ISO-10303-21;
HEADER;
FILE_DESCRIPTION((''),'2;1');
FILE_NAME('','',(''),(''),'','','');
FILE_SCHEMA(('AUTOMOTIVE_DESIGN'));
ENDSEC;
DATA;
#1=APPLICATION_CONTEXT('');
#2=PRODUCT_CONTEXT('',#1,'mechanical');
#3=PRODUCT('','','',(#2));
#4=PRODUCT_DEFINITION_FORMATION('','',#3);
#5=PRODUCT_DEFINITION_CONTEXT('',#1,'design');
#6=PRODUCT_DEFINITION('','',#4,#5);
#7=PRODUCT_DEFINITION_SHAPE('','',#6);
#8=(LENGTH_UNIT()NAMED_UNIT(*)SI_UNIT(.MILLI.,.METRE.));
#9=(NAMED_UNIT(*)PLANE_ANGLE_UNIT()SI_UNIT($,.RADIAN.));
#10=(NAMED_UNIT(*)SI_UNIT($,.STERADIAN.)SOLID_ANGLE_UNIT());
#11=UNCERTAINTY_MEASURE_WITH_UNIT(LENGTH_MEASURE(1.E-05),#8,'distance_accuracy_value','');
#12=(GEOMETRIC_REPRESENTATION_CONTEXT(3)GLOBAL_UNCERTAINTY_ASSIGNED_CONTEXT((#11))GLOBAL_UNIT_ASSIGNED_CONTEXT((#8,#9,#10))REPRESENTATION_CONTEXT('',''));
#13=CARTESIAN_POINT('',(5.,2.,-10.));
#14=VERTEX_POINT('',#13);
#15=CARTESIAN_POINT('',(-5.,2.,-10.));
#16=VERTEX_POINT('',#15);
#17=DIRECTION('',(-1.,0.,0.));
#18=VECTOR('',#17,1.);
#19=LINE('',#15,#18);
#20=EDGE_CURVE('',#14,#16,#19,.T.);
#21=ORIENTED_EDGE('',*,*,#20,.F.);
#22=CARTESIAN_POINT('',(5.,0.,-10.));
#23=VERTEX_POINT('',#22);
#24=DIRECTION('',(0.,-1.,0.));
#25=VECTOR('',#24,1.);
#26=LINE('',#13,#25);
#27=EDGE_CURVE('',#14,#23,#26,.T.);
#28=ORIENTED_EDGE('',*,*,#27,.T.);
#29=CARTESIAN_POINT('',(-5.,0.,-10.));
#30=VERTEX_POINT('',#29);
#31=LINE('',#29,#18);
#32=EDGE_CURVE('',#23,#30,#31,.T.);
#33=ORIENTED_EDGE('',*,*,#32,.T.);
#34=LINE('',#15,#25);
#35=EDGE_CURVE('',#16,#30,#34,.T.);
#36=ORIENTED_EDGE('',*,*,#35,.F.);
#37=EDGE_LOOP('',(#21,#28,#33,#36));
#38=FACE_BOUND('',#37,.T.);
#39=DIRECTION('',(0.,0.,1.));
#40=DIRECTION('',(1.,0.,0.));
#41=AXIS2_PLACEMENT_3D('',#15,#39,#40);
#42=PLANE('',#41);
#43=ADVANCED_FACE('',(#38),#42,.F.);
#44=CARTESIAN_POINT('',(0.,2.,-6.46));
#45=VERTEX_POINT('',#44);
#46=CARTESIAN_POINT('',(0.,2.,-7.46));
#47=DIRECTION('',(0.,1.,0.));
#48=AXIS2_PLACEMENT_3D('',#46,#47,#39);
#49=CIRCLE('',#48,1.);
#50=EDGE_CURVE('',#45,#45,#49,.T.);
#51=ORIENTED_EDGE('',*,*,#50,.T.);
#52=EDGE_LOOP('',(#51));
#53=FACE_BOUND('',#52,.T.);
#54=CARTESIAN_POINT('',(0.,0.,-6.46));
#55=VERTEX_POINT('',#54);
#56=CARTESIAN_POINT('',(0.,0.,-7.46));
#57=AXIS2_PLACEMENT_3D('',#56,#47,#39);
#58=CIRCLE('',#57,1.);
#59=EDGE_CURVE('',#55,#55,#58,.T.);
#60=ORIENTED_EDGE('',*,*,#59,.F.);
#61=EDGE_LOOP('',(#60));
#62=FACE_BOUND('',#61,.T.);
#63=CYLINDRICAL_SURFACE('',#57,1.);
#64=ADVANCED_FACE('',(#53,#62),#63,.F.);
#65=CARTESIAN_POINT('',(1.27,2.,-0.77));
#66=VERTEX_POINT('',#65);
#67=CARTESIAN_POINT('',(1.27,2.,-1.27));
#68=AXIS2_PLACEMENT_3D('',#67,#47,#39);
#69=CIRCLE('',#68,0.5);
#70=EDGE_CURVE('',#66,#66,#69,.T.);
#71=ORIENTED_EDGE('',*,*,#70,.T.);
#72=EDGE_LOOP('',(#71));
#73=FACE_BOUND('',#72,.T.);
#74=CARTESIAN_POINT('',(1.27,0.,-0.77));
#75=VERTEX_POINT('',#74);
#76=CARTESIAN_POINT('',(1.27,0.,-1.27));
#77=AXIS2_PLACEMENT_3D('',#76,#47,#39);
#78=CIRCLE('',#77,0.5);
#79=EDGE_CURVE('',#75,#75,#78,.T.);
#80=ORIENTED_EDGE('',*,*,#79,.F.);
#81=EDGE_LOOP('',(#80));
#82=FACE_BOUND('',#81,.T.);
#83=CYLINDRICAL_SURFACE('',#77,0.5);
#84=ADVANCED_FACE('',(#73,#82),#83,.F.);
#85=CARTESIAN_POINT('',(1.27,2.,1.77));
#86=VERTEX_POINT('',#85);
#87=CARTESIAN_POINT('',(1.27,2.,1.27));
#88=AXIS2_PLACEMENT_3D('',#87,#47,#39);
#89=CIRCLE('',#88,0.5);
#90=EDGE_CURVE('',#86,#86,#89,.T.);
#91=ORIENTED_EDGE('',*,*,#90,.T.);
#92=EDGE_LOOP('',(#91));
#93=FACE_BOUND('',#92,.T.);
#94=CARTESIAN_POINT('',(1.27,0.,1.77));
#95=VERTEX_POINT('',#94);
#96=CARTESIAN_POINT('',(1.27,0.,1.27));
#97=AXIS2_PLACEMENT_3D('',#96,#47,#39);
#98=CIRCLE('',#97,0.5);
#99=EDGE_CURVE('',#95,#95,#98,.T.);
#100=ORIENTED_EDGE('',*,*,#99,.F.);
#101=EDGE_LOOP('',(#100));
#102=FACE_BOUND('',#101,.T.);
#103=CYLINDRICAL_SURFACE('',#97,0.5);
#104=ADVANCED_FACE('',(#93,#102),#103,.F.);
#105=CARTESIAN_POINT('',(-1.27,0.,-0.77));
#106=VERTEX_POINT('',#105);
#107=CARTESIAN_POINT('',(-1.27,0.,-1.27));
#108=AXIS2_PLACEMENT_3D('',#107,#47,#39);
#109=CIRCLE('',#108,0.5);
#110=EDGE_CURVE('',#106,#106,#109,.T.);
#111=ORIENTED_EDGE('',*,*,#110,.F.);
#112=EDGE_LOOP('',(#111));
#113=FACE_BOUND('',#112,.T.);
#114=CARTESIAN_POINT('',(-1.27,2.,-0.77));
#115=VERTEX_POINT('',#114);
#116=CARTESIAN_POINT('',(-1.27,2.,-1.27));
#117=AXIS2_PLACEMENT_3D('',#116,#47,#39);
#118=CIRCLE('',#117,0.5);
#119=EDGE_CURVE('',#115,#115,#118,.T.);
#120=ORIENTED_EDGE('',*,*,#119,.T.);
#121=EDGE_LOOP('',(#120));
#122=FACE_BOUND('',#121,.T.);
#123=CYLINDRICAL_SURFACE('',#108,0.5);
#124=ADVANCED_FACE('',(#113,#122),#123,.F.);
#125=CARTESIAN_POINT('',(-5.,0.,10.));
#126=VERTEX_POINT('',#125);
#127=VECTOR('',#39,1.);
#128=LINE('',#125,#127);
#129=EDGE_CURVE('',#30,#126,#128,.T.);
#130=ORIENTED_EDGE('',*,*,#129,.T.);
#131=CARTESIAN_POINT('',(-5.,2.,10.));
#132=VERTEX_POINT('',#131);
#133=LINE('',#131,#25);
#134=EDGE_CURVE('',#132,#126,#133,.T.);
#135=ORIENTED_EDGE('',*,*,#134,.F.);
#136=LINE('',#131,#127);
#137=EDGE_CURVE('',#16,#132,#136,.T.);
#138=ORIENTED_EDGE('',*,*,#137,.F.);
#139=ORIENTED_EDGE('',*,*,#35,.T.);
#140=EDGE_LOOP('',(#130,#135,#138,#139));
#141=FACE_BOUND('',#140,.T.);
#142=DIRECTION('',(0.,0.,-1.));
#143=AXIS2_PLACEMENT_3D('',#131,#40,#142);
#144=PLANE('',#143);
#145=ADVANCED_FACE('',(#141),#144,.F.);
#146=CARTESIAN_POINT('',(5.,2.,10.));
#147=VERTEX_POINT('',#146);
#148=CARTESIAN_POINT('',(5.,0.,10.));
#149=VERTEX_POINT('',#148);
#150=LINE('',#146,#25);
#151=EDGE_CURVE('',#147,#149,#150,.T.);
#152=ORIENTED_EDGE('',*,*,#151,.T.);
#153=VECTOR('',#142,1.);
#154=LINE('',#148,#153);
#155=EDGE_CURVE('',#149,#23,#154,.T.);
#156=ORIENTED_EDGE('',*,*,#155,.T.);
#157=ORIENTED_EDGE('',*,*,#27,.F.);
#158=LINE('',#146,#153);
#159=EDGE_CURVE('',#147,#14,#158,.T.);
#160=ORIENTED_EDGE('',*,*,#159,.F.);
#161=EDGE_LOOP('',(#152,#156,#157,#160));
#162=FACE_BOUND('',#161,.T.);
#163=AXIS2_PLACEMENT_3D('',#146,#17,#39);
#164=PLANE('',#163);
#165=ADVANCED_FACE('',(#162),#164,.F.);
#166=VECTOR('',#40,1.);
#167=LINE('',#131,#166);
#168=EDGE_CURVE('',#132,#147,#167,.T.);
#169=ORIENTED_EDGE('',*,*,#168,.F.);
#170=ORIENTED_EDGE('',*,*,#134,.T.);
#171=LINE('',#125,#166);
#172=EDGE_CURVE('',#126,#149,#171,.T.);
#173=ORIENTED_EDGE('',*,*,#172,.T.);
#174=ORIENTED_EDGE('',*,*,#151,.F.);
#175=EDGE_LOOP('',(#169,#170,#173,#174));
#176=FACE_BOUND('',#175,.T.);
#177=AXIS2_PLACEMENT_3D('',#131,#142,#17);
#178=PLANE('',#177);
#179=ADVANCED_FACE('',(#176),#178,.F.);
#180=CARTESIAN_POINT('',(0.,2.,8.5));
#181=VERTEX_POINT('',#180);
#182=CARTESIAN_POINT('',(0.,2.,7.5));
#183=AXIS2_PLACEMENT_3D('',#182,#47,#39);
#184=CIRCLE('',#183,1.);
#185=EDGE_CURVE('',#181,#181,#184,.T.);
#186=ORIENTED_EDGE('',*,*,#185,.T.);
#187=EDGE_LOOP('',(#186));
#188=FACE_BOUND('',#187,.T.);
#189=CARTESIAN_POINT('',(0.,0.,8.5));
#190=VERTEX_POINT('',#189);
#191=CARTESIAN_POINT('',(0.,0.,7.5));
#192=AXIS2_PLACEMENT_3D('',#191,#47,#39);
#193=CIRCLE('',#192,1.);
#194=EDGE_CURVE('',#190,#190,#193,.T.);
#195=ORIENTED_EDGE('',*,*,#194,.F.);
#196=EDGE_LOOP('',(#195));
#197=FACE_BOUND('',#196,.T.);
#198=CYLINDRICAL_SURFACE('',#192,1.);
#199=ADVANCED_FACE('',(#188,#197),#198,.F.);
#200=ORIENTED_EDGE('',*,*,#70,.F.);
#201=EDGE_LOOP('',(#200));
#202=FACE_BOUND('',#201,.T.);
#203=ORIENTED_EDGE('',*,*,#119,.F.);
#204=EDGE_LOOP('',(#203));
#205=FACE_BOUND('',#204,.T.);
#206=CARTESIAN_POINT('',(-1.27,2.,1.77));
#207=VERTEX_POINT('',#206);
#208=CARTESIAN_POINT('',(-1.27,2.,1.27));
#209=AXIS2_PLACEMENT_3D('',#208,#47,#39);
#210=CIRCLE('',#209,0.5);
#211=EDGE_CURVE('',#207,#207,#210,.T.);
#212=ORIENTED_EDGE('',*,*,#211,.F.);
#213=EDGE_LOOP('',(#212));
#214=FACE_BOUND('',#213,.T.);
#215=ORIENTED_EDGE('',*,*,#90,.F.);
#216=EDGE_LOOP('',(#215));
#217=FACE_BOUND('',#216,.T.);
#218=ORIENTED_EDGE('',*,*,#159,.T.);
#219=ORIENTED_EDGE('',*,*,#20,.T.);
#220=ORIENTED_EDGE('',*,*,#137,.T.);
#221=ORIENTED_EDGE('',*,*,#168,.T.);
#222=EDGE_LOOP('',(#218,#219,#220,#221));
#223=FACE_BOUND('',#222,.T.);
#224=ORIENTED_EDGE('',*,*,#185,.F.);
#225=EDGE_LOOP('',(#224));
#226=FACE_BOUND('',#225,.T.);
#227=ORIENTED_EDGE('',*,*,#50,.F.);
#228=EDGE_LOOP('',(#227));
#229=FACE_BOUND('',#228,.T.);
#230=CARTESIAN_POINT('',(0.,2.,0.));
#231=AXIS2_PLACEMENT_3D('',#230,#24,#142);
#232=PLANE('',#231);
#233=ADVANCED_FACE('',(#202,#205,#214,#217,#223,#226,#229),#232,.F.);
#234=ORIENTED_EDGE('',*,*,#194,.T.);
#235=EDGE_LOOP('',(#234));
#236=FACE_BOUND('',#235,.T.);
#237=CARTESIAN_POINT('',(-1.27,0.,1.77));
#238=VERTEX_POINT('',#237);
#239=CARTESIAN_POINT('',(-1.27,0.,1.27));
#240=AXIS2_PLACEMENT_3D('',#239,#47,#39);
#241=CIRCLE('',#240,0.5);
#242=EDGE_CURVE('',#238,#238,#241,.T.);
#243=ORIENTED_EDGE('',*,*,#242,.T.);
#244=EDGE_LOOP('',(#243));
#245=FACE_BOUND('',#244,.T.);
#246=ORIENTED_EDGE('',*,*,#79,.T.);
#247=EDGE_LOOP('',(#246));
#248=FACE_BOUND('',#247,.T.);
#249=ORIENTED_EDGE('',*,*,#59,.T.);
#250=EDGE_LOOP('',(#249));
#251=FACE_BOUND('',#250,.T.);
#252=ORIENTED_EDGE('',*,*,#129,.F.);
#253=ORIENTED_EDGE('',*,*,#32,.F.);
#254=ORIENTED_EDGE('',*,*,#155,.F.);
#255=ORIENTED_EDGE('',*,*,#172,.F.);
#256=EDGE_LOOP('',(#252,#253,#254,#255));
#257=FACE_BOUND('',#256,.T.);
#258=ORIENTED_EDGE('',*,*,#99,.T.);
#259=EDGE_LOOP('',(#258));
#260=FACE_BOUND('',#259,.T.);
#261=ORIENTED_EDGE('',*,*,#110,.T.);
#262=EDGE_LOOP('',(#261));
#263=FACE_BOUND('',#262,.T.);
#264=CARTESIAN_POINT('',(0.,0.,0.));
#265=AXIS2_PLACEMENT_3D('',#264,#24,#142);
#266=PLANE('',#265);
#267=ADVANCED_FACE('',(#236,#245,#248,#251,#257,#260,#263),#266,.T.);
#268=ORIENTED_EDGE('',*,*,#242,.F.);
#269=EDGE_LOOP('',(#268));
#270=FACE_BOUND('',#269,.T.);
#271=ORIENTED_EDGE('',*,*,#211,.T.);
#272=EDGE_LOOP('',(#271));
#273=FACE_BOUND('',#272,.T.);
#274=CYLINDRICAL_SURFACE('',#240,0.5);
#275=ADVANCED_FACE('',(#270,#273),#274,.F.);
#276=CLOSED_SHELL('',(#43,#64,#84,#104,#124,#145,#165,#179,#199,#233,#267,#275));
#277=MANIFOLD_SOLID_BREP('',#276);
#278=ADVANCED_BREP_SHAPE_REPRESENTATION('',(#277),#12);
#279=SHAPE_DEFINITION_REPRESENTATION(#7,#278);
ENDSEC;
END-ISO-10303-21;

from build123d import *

# Parameters (mm, degrees)
CROQUIS1_W              = 10
CROQUIS1_H              = 20
SALIENTE_EXTRUIR1_DEPTH = 2
CROQUIS2_R              = 1
CROQUIS2_R_2            = 0.5
CORTAR_EXTRUIR1_DEPTH   = 3


with BuildPart() as part:
    # Croquis1 → Saliente-Extruir1 (new body)
    with BuildSketch(Plane(origin=(0, 0, 0), x_dir=(1, 0, 0), z_dir=(0, 1, 0))):
        Rectangle(CROQUIS1_W, CROQUIS1_H)
    extrude(amount=SALIENTE_EXTRUIR1_DEPTH)

    # Croquis2 → Cortar-Extruir1 (cut, through all)
    with BuildSketch(Plane(origin=(0, 2, 0), x_dir=(1, 0, 0), z_dir=(0, 1, 0))):
        with Locations((0, 7.46)):
            Circle(CROQUIS2_R)
        with Locations((0, -7.5)):
            Circle(CROQUIS2_R)
        with Locations((1.27, 1.27)):
            Circle(CROQUIS2_R_2)
        with Locations((-1.27, 1.27)):
            Circle(CROQUIS2_R_2)
        with Locations((-1.27, -1.27)):
            Circle(CROQUIS2_R_2)
        with Locations((1.27, -1.27)):
            Circle(CROQUIS2_R_2)
    extrude(amount=-CORTAR_EXTRUIR1_DEPTH, mode=Mode.SUBTRACT)


solid = part.part
